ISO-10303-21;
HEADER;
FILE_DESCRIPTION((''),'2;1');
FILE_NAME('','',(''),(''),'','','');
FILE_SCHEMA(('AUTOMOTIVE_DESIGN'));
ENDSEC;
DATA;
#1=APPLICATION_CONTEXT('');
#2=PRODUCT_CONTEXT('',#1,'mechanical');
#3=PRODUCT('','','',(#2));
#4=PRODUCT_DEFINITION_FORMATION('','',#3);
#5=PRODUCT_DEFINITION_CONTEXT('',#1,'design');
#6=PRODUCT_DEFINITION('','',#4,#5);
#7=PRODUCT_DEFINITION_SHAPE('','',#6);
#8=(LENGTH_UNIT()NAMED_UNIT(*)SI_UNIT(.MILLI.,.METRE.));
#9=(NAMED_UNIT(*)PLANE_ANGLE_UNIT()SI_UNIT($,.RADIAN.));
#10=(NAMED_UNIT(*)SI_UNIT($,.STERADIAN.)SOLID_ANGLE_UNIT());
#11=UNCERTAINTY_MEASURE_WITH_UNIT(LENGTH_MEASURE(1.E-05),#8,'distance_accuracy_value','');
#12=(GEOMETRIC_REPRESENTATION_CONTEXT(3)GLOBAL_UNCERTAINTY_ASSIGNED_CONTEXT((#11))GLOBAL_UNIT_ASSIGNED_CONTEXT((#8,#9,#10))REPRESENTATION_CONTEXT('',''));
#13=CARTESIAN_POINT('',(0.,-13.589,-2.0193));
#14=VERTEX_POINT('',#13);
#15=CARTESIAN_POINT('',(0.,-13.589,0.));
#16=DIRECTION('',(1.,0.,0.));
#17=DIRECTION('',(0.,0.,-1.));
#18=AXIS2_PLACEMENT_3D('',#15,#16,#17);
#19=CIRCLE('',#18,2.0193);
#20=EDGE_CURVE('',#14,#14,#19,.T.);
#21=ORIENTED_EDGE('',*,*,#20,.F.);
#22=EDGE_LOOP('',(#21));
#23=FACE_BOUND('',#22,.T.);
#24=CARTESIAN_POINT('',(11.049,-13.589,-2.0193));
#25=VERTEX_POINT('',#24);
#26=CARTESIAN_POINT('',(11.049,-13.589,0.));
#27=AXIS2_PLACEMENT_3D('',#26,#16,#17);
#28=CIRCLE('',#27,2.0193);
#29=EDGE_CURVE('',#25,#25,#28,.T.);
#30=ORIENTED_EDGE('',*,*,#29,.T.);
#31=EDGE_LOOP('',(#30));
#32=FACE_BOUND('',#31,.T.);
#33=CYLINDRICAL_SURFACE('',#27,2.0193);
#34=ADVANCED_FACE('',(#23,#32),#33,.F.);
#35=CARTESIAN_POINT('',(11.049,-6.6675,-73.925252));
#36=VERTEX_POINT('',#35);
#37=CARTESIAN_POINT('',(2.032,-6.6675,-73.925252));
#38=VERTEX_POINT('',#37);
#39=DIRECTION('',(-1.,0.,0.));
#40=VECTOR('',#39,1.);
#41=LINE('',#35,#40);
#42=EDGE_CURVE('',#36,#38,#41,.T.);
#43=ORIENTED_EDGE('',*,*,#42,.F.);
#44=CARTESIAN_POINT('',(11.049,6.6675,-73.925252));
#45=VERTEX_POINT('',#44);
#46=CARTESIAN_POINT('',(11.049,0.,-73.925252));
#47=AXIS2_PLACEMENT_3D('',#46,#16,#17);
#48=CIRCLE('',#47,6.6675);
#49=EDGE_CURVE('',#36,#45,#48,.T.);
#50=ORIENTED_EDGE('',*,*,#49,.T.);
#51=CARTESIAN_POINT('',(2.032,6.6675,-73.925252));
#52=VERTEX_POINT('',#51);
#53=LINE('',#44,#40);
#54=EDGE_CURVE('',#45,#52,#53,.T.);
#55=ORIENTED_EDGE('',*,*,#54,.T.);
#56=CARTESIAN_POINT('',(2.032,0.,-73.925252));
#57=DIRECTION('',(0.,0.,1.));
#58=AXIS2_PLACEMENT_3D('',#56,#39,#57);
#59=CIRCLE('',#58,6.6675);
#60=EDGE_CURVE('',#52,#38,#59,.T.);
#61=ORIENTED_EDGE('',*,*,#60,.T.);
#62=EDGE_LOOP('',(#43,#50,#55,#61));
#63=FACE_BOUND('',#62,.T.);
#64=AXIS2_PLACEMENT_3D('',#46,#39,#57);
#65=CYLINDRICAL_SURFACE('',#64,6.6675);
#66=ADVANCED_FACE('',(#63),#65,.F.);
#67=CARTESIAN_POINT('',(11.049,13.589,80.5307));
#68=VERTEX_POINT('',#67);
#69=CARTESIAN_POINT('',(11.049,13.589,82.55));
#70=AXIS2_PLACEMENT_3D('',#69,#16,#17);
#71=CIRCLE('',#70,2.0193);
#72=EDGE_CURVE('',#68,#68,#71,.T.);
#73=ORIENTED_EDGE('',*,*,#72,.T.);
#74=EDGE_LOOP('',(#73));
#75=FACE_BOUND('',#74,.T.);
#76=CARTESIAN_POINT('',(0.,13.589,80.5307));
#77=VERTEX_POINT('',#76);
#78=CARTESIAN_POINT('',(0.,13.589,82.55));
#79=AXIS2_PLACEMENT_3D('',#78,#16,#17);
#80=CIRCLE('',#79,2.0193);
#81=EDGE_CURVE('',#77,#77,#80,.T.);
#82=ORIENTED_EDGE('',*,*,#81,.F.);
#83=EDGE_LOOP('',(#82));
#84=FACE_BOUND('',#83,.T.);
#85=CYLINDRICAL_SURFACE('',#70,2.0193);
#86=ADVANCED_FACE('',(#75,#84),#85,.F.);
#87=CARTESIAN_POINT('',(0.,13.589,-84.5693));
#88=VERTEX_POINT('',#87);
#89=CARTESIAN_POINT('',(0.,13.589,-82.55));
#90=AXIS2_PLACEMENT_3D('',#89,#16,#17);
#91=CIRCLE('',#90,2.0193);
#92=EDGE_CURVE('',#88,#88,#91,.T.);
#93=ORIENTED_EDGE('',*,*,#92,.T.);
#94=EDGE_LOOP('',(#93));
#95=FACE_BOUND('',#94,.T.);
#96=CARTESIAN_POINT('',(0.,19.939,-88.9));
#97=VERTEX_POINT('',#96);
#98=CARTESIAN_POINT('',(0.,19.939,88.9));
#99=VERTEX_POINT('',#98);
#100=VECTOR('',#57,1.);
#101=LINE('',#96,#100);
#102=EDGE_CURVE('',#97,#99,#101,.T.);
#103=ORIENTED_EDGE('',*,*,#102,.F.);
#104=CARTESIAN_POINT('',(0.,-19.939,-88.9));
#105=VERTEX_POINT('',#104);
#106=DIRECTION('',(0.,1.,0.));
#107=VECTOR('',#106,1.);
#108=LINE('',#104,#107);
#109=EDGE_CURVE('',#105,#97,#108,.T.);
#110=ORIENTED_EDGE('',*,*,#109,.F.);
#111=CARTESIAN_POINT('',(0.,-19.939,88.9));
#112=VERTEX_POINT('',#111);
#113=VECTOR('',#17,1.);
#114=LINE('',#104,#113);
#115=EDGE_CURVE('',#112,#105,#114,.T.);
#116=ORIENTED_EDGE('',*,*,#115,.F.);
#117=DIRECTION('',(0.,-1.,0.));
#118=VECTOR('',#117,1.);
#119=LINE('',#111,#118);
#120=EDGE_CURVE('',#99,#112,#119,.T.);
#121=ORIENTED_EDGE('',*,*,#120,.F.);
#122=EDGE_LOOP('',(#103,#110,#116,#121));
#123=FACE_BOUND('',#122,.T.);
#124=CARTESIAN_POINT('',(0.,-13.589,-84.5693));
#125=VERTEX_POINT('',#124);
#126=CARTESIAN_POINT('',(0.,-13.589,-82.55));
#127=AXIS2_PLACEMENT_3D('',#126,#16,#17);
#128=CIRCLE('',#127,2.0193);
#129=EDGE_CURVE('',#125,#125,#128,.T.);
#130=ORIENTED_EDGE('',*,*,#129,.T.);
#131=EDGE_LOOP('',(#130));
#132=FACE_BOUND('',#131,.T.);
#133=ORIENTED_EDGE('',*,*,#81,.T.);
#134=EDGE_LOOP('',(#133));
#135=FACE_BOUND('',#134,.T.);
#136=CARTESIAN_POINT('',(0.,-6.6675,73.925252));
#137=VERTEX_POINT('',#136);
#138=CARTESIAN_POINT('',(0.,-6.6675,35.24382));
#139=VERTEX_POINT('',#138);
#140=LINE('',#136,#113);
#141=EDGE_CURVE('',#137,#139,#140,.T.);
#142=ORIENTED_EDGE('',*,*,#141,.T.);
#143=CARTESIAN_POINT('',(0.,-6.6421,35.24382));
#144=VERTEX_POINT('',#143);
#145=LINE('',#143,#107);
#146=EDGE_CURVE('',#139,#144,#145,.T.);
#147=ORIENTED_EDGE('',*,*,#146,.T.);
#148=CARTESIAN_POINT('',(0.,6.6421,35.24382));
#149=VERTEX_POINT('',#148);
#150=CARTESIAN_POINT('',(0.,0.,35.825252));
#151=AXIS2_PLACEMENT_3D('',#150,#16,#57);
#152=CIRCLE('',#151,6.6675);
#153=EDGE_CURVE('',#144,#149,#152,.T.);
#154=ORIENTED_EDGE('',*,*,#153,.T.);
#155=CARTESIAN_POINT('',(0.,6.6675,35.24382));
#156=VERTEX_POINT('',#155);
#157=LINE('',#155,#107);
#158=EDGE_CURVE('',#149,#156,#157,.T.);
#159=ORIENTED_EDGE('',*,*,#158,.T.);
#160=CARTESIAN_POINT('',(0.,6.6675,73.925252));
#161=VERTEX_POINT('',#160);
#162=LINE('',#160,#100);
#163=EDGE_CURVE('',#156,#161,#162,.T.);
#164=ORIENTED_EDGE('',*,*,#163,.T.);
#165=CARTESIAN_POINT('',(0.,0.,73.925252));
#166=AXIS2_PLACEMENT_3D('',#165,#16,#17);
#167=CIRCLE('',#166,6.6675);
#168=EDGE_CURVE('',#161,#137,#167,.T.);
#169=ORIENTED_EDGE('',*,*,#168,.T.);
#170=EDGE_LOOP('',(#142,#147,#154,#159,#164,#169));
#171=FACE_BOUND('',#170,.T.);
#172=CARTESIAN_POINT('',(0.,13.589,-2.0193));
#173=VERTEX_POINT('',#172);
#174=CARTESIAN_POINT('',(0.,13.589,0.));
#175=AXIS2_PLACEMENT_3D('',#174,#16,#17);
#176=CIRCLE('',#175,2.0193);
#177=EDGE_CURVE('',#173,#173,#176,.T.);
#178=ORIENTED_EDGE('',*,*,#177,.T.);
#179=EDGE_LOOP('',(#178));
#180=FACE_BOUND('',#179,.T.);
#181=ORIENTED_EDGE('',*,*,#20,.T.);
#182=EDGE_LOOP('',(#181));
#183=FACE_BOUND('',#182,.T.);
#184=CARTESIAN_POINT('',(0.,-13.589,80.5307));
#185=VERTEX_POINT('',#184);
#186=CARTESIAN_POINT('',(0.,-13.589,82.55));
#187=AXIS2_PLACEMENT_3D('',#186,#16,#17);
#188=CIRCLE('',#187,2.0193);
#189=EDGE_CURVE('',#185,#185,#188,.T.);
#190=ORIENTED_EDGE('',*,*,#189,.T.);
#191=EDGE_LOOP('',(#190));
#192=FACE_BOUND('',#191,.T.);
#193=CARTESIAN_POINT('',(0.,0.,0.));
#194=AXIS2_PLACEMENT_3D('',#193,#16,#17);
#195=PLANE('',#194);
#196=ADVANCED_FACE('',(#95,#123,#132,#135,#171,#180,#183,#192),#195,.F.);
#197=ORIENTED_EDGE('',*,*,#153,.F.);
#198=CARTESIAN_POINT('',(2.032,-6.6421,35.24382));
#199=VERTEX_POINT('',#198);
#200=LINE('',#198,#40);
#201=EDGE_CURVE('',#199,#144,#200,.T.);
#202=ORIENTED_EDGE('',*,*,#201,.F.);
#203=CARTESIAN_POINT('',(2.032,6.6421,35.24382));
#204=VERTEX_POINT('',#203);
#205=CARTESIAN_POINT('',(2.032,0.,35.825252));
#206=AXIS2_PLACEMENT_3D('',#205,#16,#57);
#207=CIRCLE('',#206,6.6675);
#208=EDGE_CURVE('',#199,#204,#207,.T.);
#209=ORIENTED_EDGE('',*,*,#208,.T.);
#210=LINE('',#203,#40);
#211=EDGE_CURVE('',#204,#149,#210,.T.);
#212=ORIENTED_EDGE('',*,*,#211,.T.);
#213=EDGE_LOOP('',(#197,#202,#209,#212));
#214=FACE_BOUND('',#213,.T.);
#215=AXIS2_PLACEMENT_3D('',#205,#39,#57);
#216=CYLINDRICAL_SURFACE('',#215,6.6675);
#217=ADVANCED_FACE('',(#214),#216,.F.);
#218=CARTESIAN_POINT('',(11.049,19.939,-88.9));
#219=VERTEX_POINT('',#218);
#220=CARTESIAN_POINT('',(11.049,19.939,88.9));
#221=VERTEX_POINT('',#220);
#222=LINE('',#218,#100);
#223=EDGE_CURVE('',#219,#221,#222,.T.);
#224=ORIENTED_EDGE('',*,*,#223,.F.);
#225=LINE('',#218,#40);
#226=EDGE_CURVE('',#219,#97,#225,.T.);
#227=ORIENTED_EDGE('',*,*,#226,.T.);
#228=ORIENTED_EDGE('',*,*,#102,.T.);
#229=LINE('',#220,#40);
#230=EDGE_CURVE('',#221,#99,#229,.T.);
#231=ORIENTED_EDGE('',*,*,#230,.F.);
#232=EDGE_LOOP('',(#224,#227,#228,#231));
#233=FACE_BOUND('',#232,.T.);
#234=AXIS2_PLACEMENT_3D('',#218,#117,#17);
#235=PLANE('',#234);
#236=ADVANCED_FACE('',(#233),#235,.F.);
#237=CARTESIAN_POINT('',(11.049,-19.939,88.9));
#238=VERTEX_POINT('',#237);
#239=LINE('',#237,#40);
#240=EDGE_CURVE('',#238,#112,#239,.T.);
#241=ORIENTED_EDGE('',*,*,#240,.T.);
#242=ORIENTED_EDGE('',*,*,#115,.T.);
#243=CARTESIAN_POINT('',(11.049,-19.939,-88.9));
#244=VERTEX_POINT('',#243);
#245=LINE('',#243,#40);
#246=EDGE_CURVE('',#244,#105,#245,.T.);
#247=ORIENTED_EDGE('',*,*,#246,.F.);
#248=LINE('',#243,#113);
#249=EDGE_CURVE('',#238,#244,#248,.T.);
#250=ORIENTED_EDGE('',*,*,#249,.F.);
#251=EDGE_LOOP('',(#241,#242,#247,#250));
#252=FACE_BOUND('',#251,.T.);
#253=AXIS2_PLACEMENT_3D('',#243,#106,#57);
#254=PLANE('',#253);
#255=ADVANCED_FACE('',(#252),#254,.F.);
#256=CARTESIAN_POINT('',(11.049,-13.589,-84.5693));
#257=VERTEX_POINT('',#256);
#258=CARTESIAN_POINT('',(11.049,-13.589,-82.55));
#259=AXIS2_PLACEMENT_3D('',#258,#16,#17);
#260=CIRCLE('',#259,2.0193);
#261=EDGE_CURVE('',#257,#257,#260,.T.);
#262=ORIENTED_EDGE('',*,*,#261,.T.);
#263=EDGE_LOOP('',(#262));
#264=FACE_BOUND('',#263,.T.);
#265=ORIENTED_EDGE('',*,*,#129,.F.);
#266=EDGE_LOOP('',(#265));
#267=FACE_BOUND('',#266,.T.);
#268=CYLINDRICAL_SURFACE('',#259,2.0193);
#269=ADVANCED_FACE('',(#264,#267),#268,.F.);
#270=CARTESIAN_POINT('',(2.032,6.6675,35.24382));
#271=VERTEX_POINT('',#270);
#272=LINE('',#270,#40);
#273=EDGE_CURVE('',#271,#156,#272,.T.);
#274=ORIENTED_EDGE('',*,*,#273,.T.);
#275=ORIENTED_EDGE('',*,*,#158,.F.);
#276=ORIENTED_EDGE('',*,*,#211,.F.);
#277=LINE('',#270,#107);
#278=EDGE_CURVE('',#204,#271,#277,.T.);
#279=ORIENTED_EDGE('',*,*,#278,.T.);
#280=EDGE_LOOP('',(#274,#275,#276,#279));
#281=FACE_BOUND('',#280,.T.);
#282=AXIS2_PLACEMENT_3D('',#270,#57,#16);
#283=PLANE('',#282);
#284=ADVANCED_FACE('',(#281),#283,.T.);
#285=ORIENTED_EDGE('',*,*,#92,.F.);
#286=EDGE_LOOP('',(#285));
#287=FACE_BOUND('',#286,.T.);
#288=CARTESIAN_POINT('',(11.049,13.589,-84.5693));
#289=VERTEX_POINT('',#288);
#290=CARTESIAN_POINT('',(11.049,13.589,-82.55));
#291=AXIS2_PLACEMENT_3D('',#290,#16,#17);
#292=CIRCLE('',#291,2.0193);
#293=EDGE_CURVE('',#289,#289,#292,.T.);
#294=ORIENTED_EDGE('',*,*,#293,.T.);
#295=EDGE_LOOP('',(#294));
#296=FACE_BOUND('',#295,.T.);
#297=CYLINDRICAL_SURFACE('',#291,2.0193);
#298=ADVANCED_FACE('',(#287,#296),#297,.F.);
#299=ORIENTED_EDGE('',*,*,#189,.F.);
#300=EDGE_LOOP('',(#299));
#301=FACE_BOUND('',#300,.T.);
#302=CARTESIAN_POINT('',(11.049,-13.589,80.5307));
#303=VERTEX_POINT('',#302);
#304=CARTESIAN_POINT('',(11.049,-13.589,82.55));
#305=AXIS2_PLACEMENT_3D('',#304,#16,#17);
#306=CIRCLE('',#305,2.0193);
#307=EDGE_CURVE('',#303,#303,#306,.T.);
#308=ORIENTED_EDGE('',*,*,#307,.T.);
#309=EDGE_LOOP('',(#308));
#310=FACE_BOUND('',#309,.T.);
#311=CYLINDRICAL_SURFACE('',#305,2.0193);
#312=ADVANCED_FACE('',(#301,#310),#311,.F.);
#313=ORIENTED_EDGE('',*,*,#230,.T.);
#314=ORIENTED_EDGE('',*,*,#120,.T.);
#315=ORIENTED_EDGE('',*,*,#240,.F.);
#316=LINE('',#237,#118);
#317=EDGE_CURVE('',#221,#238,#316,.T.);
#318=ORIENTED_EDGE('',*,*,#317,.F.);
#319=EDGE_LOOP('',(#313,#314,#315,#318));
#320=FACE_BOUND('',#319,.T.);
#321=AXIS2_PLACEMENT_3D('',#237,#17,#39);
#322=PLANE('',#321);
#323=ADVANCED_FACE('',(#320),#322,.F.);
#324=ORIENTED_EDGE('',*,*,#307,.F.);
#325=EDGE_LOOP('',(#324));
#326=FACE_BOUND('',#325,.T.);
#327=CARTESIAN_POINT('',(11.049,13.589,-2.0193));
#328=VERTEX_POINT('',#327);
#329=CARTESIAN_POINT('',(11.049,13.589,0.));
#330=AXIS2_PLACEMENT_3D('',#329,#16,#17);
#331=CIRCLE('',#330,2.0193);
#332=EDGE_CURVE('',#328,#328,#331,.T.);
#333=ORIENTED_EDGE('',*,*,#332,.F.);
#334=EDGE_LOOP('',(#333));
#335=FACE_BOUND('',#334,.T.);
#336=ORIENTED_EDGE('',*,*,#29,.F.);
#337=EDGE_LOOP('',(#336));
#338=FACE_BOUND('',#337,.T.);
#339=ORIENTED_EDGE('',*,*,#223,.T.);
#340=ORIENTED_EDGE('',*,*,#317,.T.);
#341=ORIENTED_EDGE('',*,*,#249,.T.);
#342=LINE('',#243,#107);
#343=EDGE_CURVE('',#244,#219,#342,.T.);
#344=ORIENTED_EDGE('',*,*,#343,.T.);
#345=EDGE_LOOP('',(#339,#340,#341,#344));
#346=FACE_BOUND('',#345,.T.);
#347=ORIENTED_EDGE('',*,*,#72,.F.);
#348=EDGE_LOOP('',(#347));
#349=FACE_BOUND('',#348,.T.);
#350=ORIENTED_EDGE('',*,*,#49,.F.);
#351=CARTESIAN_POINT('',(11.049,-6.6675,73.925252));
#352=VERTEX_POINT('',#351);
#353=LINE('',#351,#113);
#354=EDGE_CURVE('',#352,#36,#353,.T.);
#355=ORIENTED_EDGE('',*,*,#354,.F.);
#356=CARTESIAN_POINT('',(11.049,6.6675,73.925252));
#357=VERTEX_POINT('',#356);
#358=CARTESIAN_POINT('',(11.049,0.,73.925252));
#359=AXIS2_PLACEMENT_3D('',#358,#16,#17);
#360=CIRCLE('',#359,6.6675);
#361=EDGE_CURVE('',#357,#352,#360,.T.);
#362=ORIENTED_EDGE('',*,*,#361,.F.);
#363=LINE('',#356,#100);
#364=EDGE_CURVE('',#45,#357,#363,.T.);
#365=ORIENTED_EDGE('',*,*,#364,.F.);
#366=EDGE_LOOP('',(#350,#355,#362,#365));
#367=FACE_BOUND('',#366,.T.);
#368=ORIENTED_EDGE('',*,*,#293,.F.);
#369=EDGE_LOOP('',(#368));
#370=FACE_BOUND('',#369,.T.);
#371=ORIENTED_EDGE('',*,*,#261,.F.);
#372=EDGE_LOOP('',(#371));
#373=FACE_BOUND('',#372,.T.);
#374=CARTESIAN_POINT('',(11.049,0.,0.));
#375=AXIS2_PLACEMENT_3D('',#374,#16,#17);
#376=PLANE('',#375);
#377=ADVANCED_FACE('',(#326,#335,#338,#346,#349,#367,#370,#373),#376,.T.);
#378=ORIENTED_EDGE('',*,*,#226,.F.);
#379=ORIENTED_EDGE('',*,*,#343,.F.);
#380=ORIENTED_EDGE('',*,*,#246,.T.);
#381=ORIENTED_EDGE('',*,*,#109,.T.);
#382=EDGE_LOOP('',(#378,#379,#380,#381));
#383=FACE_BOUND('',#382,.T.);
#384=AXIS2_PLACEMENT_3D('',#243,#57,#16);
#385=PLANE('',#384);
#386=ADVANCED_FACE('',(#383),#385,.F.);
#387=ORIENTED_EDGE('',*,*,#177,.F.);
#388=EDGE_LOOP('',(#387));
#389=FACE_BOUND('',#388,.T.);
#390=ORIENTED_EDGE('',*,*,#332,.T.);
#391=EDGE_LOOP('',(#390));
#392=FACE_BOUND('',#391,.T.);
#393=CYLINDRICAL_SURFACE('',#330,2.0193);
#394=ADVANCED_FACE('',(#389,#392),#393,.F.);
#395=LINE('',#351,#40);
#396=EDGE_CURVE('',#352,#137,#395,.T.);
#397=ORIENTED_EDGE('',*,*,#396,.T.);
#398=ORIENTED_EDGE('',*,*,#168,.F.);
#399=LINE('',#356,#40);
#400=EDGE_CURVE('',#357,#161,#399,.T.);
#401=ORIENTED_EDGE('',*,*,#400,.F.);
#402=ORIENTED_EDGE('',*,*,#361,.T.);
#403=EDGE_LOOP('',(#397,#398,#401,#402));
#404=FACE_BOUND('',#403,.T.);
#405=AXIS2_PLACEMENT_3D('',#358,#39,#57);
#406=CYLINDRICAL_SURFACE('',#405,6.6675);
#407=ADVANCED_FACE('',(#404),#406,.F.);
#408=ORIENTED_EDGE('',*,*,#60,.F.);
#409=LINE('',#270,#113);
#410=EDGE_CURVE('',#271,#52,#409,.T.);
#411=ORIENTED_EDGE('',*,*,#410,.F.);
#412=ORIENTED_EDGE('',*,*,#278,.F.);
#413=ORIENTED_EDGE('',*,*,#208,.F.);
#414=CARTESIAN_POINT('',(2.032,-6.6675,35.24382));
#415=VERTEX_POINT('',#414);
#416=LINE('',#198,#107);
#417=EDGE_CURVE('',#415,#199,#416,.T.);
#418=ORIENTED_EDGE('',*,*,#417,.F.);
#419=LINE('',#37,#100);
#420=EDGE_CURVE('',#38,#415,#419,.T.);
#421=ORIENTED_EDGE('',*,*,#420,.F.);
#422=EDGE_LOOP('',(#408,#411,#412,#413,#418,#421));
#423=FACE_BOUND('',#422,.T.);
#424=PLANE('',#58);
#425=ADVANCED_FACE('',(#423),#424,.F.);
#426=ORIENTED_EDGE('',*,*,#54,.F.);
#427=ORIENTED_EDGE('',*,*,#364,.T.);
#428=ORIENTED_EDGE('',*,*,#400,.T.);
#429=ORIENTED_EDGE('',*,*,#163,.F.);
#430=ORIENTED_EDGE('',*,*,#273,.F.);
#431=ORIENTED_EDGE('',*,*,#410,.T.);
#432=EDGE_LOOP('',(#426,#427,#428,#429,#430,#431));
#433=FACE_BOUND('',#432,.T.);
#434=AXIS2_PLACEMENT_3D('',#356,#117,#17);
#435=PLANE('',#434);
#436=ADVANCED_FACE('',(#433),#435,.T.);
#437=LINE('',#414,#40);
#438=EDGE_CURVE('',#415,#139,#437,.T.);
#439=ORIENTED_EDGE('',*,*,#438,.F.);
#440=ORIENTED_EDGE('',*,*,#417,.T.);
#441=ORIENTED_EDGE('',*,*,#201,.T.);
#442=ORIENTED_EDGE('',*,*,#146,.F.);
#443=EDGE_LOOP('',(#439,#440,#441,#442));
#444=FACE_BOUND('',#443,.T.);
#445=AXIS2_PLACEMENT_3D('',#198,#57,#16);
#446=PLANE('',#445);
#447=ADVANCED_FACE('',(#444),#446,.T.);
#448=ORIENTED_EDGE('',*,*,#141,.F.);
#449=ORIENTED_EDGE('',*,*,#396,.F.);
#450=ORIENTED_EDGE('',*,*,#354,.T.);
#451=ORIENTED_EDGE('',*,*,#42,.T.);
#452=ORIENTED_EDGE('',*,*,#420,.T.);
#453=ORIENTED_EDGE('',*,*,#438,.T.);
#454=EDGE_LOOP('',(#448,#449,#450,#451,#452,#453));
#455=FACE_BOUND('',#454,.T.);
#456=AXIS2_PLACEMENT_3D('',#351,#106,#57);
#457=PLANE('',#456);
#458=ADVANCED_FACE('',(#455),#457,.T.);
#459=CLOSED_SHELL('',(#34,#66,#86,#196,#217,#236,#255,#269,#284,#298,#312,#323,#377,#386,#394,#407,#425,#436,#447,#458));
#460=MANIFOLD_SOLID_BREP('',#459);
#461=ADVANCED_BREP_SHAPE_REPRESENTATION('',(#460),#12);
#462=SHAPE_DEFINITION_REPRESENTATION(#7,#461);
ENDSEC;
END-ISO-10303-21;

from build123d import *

# Parameters (mm, degrees)
SKETCH1_W              = 177.8
SKETCH1_H              = 39.878
BOSS_EXTRUDE1_DEPTH    = 11.049
F_10_32_TAPPED_HOLE1_D = 4.0386
BOSS_EXTRUDE2_DEPTH    = 2.032


with BuildPart() as part:
    # Sketch1 → Boss-Extrude1 (new body)
    with BuildSketch(Plane(origin=(0, 0, 0), x_dir=(0, 0, -1), z_dir=(1, 0, 0))):
        Rectangle(SKETCH1_W, SKETCH1_H)
        with BuildLine():
            Line((-73.9252522, 6.6675), (73.9252522, 6.6675))
            ThreePointArc((73.9252522, 6.6675), (80.5927522, 0), (73.9252522, -6.6675))
            Line((73.9252522, -6.6675), (-73.9252522, -6.6675))
            ThreePointArc((-73.9252522, -6.6675), (-80.5927522, 0), (-73.9252522, 6.6675))
        make_face(mode=Mode.SUBTRACT)
    extrude(amount=BOSS_EXTRUDE1_DEPTH)

    # #10-32 Tapped Hole1 (through all)
    with Locations(Plane(origin=(11.049, 0, 0), x_dir=(0, 0, -1), z_dir=(1, 0, 0))):
        with Locations((-82.55, 13.589), (-82.55, -13.589), (0, -13.589), (82.55, -13.589), (82.55, 13.589), (0, 13.589)):
            Hole(F_10_32_TAPPED_HOLE1_D / 2)

    # Sketch5 → Boss-Extrude2 (add)
    with BuildSketch(Plane.ZY):
        with BuildLine():
            Line((35.243819624, 6.6675), (35.243819624, 6.6421))
            ThreePointArc((35.243819624, 6.6421), (29.1577522, 0), (35.243819624, -6.6421))
            Line((35.243819624, -6.6421), (35.243819624, -6.6675))
            Line((35.243819624, -6.6675), (-73.9252522, -6.6675))
            ThreePointArc((-73.9252522, -6.6675), (-80.5927522, 0), (-73.9252522, 6.6675))
            Line((-73.9252522, 6.6675), (35.243819624, 6.6675))
        make_face()
    extrude(amount=-BOSS_EXTRUDE2_DEPTH)


solid = part.part
